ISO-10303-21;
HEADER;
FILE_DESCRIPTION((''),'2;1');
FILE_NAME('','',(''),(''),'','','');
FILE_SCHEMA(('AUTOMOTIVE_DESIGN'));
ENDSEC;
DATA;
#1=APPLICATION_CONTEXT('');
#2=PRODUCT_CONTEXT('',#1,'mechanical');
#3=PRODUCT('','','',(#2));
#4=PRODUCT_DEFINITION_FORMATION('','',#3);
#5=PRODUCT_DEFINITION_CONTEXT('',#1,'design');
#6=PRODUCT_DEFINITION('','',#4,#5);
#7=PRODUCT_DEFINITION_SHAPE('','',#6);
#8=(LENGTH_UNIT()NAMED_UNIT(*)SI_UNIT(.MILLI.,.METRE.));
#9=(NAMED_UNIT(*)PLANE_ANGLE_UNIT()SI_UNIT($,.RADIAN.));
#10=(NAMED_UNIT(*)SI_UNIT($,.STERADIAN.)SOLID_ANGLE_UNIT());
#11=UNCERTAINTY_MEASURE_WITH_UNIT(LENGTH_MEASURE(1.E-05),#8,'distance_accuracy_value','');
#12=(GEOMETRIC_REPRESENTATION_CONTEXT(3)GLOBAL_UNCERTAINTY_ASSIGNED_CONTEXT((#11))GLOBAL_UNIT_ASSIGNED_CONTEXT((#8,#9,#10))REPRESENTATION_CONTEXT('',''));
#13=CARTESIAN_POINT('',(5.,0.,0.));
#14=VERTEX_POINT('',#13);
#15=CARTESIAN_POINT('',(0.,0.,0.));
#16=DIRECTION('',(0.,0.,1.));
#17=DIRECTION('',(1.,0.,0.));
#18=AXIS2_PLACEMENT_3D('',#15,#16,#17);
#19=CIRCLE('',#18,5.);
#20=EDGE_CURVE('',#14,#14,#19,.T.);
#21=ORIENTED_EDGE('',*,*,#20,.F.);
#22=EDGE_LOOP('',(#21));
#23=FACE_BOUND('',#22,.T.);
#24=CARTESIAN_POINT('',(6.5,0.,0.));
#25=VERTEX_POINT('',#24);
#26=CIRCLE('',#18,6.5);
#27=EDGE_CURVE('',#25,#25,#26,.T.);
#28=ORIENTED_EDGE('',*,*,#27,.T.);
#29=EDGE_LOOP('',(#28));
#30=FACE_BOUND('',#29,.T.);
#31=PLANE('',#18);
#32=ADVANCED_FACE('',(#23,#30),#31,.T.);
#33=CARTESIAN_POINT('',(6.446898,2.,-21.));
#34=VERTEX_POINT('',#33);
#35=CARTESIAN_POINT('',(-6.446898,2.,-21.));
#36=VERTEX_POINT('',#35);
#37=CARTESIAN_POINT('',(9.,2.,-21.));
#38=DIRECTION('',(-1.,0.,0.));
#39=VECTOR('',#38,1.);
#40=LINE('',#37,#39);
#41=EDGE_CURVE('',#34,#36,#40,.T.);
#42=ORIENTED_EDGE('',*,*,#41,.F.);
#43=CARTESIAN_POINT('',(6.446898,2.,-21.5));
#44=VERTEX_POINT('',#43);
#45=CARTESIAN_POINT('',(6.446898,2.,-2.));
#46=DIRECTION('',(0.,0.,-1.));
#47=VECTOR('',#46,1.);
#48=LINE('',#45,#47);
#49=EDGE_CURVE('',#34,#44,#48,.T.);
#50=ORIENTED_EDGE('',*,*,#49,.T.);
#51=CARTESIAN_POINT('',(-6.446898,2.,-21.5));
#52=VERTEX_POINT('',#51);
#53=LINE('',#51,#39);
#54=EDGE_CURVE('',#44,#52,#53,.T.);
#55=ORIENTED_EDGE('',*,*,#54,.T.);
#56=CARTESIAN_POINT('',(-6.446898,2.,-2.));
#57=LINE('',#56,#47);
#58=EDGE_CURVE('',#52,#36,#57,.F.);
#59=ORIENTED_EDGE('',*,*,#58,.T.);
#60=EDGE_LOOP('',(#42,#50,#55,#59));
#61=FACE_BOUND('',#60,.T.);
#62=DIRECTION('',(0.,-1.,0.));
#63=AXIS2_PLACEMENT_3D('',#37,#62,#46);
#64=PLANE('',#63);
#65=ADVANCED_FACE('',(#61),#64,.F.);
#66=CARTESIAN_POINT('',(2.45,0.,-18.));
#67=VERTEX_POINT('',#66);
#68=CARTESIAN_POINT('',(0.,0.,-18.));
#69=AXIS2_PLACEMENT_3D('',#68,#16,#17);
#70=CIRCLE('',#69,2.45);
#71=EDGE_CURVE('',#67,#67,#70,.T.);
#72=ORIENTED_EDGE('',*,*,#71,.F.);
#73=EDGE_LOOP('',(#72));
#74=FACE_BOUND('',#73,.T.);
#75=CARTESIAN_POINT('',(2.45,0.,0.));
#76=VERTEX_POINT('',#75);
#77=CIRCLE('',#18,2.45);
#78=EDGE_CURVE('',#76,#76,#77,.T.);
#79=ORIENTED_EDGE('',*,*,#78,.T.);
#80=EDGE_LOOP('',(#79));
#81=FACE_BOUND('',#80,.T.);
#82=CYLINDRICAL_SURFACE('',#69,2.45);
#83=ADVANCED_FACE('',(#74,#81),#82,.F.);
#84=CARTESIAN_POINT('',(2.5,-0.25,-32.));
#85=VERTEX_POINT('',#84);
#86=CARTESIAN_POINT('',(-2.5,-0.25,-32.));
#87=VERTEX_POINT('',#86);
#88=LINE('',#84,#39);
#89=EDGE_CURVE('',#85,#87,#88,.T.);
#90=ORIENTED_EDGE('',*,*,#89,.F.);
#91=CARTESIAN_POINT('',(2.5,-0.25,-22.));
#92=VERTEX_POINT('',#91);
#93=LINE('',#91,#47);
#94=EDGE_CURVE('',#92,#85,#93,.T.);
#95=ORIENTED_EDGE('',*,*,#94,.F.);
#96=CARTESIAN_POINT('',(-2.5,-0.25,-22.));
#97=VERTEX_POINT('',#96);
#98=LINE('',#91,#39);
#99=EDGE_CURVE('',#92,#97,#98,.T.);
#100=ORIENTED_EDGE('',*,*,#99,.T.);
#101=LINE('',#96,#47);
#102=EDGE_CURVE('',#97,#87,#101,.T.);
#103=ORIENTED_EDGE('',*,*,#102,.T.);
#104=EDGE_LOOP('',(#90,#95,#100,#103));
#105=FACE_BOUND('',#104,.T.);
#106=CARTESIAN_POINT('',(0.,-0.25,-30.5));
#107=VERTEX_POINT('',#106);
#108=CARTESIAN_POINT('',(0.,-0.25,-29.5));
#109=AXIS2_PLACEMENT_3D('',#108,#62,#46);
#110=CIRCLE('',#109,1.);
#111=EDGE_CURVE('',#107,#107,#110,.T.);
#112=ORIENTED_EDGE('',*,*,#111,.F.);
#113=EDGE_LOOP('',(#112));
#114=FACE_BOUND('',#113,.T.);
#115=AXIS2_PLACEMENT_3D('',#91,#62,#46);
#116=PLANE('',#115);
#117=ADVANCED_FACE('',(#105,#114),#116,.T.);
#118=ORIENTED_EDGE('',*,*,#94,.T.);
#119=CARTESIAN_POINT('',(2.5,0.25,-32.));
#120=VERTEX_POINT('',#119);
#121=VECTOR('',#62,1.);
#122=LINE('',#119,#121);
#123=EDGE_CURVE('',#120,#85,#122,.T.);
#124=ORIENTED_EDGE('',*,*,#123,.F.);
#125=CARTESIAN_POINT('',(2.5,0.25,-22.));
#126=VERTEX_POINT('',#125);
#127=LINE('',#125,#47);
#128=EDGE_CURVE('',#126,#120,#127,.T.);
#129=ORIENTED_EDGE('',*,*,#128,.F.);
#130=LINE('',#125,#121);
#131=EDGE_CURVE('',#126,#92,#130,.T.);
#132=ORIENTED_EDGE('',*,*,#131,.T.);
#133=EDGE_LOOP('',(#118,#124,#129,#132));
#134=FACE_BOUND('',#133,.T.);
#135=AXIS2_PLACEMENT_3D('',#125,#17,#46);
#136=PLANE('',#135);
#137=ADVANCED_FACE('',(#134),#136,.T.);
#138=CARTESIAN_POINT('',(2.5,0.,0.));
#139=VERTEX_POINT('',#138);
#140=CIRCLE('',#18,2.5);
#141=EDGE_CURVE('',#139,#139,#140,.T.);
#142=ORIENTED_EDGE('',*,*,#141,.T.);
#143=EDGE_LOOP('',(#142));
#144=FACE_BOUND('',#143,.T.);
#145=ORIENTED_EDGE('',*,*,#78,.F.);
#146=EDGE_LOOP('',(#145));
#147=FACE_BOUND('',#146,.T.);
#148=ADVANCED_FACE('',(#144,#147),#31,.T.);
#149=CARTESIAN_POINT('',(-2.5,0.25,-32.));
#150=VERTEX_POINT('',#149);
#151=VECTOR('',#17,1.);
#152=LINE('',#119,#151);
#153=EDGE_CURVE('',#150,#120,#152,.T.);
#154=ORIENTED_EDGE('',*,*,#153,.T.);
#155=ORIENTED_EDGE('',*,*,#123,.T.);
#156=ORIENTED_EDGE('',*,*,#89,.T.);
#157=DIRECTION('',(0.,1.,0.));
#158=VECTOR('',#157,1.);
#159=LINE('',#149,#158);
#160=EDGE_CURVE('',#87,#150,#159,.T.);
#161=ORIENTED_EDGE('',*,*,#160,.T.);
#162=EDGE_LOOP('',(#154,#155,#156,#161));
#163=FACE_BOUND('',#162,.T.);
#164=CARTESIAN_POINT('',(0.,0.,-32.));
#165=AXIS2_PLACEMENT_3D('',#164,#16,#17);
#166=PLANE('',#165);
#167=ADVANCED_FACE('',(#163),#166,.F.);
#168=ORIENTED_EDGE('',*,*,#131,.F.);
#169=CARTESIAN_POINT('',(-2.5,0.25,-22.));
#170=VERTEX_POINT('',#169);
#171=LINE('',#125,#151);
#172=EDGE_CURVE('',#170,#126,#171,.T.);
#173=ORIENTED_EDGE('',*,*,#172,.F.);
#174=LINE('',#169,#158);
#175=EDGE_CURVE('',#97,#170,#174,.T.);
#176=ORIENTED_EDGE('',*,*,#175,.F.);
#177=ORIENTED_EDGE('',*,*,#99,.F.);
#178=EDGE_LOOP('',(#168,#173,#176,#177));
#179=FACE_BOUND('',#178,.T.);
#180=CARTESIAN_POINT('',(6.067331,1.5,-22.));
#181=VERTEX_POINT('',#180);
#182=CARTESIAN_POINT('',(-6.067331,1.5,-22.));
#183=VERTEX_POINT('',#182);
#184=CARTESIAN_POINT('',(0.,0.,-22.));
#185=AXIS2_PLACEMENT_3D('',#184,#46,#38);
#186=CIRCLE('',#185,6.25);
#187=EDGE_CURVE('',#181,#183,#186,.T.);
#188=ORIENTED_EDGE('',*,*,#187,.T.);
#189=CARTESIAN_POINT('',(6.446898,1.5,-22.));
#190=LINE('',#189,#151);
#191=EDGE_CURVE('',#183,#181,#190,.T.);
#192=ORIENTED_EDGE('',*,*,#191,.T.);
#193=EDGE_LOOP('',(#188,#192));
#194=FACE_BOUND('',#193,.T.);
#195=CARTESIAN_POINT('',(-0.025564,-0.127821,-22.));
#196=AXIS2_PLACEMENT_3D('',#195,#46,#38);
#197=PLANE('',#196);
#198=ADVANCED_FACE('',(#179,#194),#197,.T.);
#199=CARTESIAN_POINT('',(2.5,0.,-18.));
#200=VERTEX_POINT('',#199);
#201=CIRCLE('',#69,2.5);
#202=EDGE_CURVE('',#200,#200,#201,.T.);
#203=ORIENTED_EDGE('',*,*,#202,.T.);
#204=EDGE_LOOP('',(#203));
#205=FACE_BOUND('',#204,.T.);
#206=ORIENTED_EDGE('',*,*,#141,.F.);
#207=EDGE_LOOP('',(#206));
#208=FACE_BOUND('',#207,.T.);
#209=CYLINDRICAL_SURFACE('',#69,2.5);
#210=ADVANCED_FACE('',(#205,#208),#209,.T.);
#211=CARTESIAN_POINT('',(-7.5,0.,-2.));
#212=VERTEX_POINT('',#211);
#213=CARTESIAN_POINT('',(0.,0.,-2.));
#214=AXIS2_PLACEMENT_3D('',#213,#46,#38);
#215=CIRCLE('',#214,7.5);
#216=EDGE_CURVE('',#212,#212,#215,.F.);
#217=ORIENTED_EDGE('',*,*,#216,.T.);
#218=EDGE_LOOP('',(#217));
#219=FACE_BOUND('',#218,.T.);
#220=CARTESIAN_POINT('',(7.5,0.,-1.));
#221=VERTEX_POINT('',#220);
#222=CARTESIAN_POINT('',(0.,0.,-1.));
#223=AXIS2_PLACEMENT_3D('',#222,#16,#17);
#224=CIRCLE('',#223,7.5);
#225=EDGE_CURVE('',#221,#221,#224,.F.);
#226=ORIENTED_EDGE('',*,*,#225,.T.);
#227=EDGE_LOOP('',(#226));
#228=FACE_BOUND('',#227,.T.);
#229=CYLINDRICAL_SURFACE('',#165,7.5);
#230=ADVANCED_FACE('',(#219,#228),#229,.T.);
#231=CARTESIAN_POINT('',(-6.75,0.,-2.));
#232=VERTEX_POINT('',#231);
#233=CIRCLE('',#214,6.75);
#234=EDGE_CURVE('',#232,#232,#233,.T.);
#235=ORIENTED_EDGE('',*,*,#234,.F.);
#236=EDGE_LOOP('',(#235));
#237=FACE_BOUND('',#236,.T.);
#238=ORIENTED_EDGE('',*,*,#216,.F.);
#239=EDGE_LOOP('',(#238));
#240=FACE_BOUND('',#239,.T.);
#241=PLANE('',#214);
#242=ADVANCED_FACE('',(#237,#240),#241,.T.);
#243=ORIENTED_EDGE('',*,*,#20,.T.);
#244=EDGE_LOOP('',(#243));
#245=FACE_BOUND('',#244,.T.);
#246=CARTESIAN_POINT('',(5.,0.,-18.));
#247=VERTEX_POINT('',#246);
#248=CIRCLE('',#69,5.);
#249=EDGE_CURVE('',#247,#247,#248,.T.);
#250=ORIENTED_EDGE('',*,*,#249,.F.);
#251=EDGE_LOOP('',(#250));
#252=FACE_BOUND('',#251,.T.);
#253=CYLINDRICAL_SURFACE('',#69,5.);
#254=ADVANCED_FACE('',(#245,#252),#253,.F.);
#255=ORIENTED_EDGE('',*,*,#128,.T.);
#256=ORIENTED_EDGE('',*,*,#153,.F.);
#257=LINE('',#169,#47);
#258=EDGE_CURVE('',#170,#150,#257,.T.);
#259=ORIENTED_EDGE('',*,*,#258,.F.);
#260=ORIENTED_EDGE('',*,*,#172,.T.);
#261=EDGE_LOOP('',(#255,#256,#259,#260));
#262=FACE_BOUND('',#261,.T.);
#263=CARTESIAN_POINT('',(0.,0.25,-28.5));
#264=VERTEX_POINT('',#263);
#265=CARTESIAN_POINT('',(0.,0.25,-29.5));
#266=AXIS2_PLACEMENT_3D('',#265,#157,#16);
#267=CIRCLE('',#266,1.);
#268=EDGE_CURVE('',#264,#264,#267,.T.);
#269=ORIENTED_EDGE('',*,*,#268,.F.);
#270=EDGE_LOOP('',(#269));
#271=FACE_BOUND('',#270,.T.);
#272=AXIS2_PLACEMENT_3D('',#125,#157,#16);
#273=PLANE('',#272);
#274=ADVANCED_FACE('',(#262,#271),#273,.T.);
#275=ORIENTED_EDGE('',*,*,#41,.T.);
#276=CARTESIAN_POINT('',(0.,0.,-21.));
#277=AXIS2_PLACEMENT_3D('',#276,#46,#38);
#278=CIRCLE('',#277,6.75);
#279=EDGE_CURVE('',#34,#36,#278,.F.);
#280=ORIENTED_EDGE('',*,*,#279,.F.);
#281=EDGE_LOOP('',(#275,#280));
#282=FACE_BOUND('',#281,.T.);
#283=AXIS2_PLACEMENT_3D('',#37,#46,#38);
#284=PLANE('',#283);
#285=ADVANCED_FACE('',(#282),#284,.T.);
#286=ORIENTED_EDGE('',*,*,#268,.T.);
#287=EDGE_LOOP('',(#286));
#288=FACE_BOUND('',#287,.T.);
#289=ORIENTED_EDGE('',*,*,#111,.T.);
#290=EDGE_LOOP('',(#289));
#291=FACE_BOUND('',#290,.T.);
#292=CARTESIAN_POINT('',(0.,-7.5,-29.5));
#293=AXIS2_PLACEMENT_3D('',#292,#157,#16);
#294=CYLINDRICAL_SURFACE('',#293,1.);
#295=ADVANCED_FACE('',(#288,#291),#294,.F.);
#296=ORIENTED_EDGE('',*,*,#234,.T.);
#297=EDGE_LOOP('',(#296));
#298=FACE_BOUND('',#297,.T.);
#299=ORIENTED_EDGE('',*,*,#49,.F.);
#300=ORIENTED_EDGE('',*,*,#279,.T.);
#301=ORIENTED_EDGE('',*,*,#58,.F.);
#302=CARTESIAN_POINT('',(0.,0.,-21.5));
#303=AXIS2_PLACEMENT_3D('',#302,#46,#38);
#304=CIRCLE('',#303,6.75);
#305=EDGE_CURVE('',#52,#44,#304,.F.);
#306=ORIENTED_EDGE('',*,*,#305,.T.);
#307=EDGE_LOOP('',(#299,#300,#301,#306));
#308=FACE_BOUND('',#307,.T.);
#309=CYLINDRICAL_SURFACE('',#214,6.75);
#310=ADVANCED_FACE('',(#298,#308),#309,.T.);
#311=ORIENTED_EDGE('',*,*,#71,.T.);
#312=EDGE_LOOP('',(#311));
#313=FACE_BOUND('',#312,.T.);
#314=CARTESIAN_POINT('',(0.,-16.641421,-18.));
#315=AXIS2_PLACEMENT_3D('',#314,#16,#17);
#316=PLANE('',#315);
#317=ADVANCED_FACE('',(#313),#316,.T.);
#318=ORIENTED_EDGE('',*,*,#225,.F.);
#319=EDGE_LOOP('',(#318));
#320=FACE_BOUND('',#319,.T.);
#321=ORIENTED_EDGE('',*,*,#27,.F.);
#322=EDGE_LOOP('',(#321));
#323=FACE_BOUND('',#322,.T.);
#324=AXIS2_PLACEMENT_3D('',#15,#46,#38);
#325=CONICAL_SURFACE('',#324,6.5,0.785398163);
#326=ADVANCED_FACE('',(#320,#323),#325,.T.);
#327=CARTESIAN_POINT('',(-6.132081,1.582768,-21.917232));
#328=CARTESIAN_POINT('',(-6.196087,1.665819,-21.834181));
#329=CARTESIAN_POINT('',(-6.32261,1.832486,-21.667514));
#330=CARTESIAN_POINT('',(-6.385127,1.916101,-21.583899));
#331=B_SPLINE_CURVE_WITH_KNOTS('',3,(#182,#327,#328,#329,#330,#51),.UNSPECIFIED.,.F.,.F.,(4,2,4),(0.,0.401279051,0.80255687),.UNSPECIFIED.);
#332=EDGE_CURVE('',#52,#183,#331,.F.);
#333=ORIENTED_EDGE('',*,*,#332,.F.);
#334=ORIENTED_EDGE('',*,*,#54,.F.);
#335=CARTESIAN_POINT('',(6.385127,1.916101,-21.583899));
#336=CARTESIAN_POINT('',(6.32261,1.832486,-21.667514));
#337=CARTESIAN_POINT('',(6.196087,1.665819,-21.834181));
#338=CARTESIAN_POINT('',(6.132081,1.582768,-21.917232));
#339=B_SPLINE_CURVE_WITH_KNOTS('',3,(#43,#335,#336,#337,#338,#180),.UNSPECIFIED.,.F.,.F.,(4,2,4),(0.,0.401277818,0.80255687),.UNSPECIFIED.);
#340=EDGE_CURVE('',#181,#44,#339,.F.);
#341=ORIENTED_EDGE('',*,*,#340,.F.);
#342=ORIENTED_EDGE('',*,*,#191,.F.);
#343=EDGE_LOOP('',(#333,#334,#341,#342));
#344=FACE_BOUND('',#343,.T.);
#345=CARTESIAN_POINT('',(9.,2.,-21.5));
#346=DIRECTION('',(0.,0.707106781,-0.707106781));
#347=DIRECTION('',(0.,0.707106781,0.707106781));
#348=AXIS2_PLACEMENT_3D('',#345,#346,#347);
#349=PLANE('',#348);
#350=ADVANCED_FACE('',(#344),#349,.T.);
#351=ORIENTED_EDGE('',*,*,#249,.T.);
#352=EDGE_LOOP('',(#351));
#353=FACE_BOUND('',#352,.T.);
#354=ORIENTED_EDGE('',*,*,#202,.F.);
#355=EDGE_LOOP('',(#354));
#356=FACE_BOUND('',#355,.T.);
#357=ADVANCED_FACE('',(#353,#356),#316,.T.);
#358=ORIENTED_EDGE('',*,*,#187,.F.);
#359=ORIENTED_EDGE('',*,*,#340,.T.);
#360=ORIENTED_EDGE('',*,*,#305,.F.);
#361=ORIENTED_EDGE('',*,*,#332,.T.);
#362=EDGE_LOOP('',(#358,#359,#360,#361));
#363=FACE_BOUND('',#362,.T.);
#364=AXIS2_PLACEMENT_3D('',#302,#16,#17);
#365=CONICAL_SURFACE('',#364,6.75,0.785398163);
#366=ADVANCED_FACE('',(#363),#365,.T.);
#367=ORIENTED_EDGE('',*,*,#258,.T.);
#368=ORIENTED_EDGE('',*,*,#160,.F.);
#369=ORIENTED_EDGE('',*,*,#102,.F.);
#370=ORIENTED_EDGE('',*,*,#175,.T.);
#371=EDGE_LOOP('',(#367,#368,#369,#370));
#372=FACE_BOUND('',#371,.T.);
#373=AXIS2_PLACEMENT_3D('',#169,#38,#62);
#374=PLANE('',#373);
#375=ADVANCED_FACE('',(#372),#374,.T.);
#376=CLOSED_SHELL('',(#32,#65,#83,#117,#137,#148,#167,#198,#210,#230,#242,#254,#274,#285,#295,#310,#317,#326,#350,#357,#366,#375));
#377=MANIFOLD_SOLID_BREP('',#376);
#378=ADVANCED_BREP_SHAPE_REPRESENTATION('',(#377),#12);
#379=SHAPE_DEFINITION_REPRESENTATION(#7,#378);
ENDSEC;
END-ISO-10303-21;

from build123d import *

# Parameters (mm, degrees)
ESQUISSE1_R           = 7.5
EXTRUSION1_DEPTH      = 32
ESQUISSE2_R           = 5
ESQUISSE2_R_2         = 2.5
ESQUISSE2_R_3         = 2.45
EXTRUSION3_DEPTH      = 18
ESQUISSE3_OUTSIDE_W   = 24.678
ESQUISSE3_OUTSIDE_H   = 24.678
ESQUISSE3_OUTSIDE_R   = 6.75
EXTRUSION5_DEPTH      = 30
ESQUISSE4_OUTSIDE_W   = 24.678
ESQUISSE4_OUTSIDE_H   = 24.678
ESQUISSE4_OUTSIDE_W_2 = 5
ESQUISSE4_OUTSIDE_H_2 = 0.5
EXTRUSION6_DEPTH      = 10
ESQUISSE5_W           = 18
ESQUISSE5_H           = 6
EXTRUSION7_DEPTH      = 1
ESQUISSE6_R           = 1
EXTRUSION8_DEPTH      = 8.75
CHANFREIN1_SIZE       = 1
CHANFREIN2_SIZE       = 0.5


with BuildPart() as part:
    # Esquisse1 → Extrusion1 (new body)
    with BuildSketch(Plane.XY):
        Circle(ESQUISSE1_R)
    extrude(amount=-EXTRUSION1_DEPTH)

    # Esquisse2 → Extrusion3 (cut)
    with BuildSketch(Plane.XY):
        Circle(ESQUISSE2_R)
        Circle(ESQUISSE2_R_2, mode=Mode.SUBTRACT)
        Circle(ESQUISSE2_R_3)
    extrude(amount=-EXTRUSION3_DEPTH, mode=Mode.SUBTRACT)

    # Esquisse3 outside → Extrusion5 (cut)
    with BuildSketch(Plane(origin=(0, 0, -32), x_dir=(-1, 0, 0), z_dir=(0, 0, -1))):
        Rectangle(ESQUISSE3_OUTSIDE_W, ESQUISSE3_OUTSIDE_H)
        Circle(ESQUISSE3_OUTSIDE_R, mode=Mode.SUBTRACT)
    extrude(amount=-EXTRUSION5_DEPTH, mode=Mode.SUBTRACT)

    # Esquisse4 outside → Extrusion6 (cut)
    with BuildSketch(Plane(origin=(0, 0, -32), x_dir=(-1, 0, 0), z_dir=(0, 0, -1))):
        Rectangle(ESQUISSE4_OUTSIDE_W, ESQUISSE4_OUTSIDE_H)
        Rectangle(ESQUISSE4_OUTSIDE_W_2, ESQUISSE4_OUTSIDE_H_2, mode=Mode.SUBTRACT)
    extrude(amount=-EXTRUSION6_DEPTH, mode=Mode.SUBTRACT)

    # Esquisse5 → Extrusion7 (cut)
    with BuildSketch(Plane(origin=(0, 0, -22), x_dir=(-1, 0, 0), z_dir=(0, 0, -1))):
        with Locations((0, 5)):
            Rectangle(ESQUISSE5_W, ESQUISSE5_H)
    extrude(amount=-EXTRUSION7_DEPTH, mode=Mode.SUBTRACT)

    # Esquisse6 → Extrusion8 (cut, through all)
    with BuildSketch(Plane(origin=(0, 0.25, 0), x_dir=(1, 0, 0), z_dir=(0, 1, 0))):
        with Locations((0, 29.5)):
            Circle(ESQUISSE6_R)
    extrude(amount=-EXTRUSION8_DEPTH, mode=Mode.SUBTRACT)

    # Chanfrein1
    chanfrein1_edges = [part.edges().sort_by_distance(p)[0] for p in [
        (-7.5, 0, 0),
    ]]
    chamfer(chanfrein1_edges, length=CHANFREIN1_SIZE)

    # Chanfrein2
    chanfrein2_edges = [part.edges().sort_by_distance(p)[0] for p in [
        (1.011418624, -6.67379445, -22),
        (0, 2, -22),
    ]]
    chamfer(chanfrein2_edges, length=CHANFREIN2_SIZE)


solid = part.part
